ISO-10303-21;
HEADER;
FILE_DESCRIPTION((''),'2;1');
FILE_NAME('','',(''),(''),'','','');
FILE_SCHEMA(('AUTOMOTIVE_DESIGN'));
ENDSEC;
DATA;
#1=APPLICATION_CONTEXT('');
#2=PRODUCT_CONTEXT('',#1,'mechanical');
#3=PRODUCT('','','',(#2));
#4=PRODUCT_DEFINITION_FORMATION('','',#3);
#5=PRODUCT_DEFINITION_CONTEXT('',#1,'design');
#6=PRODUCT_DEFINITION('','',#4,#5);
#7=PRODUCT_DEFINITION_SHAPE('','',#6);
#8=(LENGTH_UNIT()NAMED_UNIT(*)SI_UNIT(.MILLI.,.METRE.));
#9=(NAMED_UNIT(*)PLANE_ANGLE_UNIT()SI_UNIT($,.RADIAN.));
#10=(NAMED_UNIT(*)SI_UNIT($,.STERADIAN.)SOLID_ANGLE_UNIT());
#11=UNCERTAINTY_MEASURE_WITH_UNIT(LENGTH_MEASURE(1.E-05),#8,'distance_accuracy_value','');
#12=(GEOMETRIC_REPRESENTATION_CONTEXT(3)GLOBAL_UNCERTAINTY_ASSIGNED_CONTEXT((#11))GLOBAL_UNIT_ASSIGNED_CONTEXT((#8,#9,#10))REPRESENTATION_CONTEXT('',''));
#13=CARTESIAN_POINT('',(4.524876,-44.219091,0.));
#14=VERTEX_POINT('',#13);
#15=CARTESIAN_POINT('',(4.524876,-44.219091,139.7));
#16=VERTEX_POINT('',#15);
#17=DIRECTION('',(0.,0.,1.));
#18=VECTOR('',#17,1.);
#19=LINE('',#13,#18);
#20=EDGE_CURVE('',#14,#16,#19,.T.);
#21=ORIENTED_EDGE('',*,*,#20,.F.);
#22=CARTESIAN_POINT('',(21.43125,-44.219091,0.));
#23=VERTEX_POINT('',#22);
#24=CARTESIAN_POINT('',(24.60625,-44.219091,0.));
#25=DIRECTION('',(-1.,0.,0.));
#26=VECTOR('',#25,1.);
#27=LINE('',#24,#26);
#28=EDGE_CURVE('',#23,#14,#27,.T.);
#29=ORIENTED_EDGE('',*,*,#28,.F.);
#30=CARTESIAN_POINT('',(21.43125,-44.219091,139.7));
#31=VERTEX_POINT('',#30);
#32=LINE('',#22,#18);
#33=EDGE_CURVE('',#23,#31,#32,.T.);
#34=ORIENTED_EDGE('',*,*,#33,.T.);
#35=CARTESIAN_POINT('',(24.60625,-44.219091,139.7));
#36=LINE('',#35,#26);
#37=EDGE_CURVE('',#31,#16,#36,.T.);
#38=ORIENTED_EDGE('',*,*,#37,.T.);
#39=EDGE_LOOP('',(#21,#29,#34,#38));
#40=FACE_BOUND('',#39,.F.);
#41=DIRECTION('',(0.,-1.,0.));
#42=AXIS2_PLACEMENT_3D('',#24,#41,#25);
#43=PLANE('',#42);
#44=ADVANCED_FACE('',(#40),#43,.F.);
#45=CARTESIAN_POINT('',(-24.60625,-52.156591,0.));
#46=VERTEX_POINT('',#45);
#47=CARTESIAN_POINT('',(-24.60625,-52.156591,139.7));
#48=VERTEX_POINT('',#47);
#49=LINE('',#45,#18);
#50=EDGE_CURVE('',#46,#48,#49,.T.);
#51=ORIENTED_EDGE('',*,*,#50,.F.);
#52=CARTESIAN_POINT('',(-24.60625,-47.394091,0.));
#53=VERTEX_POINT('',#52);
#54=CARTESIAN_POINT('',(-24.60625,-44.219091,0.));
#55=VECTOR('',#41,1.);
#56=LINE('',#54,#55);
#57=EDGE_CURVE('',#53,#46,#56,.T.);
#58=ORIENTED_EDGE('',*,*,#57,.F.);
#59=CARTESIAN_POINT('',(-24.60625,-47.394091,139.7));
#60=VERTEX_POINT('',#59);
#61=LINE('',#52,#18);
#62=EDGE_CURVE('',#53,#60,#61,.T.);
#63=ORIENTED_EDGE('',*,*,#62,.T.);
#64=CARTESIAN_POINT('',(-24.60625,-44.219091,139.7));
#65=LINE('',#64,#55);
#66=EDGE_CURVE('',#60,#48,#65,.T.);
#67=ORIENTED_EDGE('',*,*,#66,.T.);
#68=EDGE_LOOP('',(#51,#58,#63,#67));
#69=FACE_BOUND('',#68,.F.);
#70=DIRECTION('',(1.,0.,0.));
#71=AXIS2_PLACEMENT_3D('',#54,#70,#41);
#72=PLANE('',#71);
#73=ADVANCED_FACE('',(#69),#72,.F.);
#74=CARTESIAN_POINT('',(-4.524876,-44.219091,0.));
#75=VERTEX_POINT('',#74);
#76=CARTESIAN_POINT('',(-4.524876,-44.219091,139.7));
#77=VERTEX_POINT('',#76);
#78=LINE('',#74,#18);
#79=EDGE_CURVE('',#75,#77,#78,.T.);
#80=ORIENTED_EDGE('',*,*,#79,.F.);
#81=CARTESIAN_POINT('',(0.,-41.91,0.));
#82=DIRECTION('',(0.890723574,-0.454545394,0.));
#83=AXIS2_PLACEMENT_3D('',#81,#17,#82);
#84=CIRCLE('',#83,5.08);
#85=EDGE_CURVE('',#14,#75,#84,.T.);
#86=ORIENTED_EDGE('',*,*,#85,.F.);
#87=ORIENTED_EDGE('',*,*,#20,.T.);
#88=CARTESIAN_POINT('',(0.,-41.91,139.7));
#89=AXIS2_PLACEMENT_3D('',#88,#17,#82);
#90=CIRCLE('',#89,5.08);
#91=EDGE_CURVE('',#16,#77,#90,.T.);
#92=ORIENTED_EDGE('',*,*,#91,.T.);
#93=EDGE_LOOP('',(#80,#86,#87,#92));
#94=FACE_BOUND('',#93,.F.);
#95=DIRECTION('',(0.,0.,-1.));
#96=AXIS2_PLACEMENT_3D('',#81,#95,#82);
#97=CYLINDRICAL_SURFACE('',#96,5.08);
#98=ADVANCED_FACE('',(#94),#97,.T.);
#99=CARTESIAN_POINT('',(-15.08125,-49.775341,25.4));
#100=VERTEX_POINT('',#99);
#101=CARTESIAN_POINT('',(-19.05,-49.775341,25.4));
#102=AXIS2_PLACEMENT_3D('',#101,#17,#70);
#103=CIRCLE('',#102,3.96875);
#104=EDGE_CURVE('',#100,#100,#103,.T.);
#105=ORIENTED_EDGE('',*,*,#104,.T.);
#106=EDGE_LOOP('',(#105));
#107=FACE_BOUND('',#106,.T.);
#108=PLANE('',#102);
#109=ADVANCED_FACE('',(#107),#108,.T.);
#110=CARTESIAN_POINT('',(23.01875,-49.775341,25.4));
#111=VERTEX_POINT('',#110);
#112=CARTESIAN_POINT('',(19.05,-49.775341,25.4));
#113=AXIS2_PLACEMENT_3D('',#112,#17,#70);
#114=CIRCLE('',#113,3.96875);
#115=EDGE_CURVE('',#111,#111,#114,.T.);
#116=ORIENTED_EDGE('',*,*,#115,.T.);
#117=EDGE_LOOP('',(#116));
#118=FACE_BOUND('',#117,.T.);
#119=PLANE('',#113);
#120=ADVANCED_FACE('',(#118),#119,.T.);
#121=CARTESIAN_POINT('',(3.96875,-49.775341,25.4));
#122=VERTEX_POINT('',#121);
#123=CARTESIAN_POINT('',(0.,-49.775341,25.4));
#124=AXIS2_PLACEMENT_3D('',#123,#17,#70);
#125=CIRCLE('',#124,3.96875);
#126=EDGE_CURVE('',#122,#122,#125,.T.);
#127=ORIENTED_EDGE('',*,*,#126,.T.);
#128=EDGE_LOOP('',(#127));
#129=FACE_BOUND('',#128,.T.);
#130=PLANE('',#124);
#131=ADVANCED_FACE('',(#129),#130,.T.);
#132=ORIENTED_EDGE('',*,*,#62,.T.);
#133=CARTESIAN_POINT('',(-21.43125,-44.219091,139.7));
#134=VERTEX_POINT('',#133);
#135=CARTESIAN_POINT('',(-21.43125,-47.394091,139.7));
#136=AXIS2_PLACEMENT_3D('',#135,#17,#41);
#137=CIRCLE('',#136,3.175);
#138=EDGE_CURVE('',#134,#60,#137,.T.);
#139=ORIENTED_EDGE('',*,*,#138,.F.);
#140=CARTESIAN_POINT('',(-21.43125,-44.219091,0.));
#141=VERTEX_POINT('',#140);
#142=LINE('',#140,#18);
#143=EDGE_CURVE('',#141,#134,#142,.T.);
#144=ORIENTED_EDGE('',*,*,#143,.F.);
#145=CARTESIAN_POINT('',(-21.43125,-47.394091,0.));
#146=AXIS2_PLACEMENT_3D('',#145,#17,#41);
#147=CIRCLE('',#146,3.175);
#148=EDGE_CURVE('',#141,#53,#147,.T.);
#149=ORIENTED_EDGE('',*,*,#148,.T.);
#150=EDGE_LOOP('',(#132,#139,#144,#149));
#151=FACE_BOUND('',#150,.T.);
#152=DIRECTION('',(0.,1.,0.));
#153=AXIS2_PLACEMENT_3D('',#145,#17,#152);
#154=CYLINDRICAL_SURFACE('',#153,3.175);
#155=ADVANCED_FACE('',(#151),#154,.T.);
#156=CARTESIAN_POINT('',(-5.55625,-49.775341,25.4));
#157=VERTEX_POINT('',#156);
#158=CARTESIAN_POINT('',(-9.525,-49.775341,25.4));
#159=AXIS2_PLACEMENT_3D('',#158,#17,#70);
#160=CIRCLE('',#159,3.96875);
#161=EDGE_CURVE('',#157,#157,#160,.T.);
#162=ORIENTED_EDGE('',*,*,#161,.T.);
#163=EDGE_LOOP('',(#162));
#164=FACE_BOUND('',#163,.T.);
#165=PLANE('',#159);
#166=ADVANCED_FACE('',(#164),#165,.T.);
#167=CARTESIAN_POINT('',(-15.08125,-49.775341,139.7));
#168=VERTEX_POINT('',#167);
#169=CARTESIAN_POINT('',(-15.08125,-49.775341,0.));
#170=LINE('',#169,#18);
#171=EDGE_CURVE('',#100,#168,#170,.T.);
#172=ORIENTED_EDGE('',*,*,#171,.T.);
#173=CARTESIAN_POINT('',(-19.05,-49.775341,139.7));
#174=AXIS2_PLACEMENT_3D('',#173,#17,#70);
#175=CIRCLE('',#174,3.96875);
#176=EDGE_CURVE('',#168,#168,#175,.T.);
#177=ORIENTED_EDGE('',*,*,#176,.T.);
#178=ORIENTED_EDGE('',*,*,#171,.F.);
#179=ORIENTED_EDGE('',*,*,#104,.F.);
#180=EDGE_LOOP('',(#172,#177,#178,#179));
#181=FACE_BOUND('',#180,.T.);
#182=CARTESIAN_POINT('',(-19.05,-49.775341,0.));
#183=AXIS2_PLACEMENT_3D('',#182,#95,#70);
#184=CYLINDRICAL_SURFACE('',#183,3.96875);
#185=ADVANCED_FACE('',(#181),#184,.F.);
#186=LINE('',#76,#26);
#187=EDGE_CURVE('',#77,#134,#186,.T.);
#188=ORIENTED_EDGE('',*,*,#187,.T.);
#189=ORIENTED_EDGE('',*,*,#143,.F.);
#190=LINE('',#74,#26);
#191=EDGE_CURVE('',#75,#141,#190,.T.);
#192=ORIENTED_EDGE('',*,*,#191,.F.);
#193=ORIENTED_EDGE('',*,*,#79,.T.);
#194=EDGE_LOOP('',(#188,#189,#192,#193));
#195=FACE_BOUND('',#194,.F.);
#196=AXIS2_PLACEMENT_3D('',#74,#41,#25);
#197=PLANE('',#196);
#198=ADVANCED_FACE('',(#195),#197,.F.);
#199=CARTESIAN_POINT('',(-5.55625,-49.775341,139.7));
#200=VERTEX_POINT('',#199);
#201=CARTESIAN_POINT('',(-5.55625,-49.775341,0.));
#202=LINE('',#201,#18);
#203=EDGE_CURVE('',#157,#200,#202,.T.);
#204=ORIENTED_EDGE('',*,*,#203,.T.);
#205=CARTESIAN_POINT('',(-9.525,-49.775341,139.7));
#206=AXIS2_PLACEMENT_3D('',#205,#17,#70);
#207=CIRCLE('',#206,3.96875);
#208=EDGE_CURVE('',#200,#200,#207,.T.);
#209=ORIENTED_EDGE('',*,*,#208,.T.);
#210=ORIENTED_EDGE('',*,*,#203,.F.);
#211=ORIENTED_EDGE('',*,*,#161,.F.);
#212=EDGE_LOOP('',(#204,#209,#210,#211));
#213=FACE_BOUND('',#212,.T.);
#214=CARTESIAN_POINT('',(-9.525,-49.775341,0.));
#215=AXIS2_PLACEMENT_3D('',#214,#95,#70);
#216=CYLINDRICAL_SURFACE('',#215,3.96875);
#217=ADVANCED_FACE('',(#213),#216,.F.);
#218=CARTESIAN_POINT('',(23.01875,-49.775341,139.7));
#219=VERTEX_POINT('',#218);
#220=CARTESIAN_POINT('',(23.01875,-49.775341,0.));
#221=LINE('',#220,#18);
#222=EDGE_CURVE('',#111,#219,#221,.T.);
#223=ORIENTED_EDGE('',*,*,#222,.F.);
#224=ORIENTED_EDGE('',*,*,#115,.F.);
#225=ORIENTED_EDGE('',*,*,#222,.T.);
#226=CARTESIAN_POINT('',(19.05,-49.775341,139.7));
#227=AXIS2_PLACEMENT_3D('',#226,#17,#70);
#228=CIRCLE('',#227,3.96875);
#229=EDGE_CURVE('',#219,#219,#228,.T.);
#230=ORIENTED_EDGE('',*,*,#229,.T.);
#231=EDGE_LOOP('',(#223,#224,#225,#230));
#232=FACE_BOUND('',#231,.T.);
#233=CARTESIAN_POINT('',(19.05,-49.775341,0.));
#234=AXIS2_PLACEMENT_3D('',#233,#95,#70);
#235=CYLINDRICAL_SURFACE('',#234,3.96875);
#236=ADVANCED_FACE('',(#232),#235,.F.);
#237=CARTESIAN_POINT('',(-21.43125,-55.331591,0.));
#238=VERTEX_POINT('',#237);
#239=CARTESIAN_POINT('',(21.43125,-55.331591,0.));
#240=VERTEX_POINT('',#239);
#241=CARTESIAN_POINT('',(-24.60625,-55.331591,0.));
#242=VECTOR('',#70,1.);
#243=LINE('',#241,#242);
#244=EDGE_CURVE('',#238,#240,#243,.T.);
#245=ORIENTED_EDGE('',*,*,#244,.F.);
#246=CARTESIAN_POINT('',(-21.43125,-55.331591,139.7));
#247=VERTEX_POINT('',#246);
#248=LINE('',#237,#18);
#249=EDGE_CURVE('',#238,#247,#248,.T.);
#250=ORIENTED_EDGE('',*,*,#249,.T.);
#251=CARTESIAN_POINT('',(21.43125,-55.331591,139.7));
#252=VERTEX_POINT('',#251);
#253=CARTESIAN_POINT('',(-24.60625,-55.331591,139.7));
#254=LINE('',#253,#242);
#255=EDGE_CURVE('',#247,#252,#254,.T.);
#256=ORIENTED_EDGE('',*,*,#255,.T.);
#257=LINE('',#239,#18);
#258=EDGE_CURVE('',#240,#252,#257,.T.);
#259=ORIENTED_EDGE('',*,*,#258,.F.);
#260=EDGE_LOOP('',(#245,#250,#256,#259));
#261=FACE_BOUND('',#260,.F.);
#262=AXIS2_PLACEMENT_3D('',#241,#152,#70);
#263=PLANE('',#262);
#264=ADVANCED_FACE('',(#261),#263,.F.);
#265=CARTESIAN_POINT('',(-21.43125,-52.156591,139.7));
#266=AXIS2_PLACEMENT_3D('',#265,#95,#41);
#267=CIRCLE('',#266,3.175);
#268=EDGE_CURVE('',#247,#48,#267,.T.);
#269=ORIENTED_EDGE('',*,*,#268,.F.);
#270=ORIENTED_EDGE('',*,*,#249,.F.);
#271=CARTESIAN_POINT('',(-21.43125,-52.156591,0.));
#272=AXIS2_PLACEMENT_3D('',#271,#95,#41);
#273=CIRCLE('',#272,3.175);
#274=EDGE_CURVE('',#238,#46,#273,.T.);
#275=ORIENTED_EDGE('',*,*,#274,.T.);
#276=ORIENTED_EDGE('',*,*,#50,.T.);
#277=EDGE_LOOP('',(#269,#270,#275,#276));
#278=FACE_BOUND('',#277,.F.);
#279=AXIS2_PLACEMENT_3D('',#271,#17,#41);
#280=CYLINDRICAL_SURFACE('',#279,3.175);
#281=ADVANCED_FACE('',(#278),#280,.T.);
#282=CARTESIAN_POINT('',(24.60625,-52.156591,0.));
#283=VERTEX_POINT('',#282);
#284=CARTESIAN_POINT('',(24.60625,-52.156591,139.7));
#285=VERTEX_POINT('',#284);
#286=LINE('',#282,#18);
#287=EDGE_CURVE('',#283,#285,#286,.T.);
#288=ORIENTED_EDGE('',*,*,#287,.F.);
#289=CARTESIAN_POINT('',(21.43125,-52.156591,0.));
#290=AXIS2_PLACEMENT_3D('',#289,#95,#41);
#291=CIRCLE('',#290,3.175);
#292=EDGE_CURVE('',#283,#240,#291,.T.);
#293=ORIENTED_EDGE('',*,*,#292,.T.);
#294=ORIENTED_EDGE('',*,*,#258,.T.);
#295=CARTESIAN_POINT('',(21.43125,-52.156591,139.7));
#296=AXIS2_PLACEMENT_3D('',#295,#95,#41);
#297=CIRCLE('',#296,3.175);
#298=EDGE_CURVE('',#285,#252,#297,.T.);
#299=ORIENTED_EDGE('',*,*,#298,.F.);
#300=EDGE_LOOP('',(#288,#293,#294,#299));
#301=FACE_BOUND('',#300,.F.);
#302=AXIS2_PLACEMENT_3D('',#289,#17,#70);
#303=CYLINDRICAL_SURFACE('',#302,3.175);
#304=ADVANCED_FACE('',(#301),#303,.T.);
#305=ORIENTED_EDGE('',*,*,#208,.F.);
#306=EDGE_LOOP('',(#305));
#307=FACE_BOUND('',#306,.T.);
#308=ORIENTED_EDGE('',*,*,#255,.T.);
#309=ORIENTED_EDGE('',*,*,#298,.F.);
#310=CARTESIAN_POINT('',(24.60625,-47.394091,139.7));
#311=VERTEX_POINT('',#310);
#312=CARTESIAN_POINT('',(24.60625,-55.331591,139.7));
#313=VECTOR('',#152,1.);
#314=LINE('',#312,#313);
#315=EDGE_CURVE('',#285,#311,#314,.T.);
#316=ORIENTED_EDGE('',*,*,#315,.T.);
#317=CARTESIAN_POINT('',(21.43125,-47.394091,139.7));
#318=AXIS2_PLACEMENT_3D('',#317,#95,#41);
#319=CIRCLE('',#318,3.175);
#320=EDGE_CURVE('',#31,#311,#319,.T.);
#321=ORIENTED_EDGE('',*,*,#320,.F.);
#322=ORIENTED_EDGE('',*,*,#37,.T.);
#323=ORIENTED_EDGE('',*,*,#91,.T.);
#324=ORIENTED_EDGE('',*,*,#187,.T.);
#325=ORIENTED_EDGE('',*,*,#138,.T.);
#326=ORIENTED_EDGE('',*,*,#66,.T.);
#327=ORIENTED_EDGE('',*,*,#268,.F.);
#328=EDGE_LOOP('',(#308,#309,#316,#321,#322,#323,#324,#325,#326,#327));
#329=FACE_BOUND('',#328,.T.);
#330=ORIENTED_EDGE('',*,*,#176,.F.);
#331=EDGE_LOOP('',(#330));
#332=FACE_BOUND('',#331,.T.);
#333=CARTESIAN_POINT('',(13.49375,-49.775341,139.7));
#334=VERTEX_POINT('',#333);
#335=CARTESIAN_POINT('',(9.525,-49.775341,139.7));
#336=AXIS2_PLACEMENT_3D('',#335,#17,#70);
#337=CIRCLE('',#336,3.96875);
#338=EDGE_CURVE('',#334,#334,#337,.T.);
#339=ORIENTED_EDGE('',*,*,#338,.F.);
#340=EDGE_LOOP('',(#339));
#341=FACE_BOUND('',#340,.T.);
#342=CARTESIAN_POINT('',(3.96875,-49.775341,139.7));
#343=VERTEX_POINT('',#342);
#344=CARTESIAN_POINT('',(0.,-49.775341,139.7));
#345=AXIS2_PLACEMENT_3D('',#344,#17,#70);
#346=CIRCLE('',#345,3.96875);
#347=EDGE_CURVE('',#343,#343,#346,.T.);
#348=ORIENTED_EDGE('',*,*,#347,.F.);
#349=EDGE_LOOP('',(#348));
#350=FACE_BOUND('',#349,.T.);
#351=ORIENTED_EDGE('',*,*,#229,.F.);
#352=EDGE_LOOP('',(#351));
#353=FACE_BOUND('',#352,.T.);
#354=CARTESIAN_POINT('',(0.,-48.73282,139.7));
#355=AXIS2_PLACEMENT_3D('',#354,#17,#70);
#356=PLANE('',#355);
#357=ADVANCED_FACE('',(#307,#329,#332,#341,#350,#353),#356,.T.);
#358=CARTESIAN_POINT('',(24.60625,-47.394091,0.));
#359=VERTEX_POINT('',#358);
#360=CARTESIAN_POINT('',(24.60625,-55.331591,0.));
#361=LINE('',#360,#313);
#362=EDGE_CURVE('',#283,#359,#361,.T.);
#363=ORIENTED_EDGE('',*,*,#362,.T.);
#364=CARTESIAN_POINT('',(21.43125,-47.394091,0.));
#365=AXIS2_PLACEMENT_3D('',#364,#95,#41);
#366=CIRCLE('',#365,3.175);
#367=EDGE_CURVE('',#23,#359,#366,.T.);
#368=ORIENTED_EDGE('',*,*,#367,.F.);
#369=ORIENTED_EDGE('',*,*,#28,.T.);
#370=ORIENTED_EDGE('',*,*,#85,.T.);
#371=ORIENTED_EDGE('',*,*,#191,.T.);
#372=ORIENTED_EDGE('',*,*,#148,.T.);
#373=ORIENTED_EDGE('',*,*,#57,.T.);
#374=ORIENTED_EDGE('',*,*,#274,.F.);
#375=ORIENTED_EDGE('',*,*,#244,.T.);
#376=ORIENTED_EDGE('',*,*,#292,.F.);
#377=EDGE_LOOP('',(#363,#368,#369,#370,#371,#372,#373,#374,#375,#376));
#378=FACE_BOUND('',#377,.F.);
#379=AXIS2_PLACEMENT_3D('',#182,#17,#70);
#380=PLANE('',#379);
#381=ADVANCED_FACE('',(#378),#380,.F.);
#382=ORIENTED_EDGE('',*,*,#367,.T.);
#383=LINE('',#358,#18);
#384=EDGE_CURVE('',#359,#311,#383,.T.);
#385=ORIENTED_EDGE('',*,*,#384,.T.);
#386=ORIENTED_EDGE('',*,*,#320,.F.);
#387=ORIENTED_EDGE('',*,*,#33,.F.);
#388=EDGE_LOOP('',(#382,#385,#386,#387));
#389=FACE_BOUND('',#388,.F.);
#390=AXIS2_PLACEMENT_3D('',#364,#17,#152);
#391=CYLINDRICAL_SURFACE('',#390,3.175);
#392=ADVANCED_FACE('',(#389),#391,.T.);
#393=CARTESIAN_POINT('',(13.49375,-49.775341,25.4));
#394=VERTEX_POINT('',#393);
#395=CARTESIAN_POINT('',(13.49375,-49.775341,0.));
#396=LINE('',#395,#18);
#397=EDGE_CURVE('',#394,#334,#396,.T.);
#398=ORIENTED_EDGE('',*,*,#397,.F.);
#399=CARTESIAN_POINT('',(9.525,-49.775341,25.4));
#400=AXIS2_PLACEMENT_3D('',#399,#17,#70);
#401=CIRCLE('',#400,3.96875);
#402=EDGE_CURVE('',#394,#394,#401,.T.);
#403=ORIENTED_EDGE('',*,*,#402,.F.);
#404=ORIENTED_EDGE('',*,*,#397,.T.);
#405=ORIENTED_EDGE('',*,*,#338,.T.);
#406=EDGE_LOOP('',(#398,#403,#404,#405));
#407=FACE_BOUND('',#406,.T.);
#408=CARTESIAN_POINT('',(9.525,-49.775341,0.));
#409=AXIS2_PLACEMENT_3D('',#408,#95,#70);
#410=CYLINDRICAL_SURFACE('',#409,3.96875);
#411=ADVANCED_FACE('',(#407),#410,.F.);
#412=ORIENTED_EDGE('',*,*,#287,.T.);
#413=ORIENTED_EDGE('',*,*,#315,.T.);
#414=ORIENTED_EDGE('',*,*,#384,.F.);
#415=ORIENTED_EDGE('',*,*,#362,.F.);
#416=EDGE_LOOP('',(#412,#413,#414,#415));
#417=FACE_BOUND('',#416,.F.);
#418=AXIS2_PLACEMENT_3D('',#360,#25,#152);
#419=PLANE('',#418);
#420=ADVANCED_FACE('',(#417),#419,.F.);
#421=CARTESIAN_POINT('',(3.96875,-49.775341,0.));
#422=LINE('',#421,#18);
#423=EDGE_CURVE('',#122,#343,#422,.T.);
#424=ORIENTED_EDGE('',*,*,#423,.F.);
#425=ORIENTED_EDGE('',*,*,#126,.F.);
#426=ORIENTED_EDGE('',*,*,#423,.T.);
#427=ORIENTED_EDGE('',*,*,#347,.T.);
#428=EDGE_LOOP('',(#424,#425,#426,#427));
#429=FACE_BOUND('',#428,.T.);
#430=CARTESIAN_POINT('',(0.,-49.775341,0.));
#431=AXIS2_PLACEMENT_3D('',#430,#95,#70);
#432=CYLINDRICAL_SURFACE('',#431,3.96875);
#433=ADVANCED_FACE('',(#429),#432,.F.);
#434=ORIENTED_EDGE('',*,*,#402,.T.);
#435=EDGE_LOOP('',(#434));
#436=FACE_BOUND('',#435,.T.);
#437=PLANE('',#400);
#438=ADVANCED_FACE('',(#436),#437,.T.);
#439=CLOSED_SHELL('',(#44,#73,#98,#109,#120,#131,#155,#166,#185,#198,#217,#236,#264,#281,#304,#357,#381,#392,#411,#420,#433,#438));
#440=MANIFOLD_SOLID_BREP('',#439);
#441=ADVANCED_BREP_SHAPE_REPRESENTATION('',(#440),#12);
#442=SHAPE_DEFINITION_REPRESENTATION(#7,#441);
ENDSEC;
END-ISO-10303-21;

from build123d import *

# Parameters (mm, degrees)
F0_R     = 3.96875
F1_DEPTH = 139.7
F2_DEPTH = 25.4
F3_R     = 3.175


with BuildPart() as f1:
    # F0 (on Top) → F1 (new body)
    with BuildSketch(Plane.XY):
        with BuildLine():
            Line((24.60625, -44.219091), (4.524876, -44.219091))
            ThreePointArc((4.524876, -44.219091), (0, -36.83), (-4.524876, -44.219091))
            Line((-4.524876, -44.219091), (-24.60625, -44.219091))
            Line((-24.60625, -44.219091), (-24.60625, -55.331591))
            Line((-24.60625, -55.331591), (24.60625, -55.331591))
            Line((24.60625, -55.331591), (24.60625, -44.219091))
        make_face()
        with Locations((-19.05, -49.775341)):
            Circle(F0_R, mode=Mode.SUBTRACT)
        with Locations((-9.525, -49.775341)):
            Circle(F0_R, mode=Mode.SUBTRACT)
        with Locations((0, -49.775341)):
            Circle(F0_R, mode=Mode.SUBTRACT)
        with Locations((9.525, -49.775341)):
            Circle(F0_R, mode=Mode.SUBTRACT)
        with Locations((19.05, -49.775341)):
            Circle(F0_R, mode=Mode.SUBTRACT)
    extrude(amount=F1_DEPTH)

    # F0 (on Top) → F2 (join)
    with BuildSketch(Plane.XY):
        with Locations((-19.05, -49.775341)):
            Circle(F0_R)
        with Locations((-9.525, -49.775341)):
            Circle(F0_R)
        with Locations((0, -49.775341)):
            Circle(F0_R)
        with Locations((9.525, -49.775341)):
            Circle(F0_R)
        with Locations((19.05, -49.775341)):
            Circle(F0_R)
    extrude(amount=F2_DEPTH)

    # F3
    f3_edges = [f1.edges().sort_by_distance(p)[0] for p in [
        (24.60625, -55.331591, 69.85),
        (24.60625, -44.219091, 69.85),
        (-24.60625, -44.219091, 69.85),
        (-24.60625, -55.331591, 69.85),
    ]]
    fillet(f3_edges, radius=F3_R)


solid = f1.part
